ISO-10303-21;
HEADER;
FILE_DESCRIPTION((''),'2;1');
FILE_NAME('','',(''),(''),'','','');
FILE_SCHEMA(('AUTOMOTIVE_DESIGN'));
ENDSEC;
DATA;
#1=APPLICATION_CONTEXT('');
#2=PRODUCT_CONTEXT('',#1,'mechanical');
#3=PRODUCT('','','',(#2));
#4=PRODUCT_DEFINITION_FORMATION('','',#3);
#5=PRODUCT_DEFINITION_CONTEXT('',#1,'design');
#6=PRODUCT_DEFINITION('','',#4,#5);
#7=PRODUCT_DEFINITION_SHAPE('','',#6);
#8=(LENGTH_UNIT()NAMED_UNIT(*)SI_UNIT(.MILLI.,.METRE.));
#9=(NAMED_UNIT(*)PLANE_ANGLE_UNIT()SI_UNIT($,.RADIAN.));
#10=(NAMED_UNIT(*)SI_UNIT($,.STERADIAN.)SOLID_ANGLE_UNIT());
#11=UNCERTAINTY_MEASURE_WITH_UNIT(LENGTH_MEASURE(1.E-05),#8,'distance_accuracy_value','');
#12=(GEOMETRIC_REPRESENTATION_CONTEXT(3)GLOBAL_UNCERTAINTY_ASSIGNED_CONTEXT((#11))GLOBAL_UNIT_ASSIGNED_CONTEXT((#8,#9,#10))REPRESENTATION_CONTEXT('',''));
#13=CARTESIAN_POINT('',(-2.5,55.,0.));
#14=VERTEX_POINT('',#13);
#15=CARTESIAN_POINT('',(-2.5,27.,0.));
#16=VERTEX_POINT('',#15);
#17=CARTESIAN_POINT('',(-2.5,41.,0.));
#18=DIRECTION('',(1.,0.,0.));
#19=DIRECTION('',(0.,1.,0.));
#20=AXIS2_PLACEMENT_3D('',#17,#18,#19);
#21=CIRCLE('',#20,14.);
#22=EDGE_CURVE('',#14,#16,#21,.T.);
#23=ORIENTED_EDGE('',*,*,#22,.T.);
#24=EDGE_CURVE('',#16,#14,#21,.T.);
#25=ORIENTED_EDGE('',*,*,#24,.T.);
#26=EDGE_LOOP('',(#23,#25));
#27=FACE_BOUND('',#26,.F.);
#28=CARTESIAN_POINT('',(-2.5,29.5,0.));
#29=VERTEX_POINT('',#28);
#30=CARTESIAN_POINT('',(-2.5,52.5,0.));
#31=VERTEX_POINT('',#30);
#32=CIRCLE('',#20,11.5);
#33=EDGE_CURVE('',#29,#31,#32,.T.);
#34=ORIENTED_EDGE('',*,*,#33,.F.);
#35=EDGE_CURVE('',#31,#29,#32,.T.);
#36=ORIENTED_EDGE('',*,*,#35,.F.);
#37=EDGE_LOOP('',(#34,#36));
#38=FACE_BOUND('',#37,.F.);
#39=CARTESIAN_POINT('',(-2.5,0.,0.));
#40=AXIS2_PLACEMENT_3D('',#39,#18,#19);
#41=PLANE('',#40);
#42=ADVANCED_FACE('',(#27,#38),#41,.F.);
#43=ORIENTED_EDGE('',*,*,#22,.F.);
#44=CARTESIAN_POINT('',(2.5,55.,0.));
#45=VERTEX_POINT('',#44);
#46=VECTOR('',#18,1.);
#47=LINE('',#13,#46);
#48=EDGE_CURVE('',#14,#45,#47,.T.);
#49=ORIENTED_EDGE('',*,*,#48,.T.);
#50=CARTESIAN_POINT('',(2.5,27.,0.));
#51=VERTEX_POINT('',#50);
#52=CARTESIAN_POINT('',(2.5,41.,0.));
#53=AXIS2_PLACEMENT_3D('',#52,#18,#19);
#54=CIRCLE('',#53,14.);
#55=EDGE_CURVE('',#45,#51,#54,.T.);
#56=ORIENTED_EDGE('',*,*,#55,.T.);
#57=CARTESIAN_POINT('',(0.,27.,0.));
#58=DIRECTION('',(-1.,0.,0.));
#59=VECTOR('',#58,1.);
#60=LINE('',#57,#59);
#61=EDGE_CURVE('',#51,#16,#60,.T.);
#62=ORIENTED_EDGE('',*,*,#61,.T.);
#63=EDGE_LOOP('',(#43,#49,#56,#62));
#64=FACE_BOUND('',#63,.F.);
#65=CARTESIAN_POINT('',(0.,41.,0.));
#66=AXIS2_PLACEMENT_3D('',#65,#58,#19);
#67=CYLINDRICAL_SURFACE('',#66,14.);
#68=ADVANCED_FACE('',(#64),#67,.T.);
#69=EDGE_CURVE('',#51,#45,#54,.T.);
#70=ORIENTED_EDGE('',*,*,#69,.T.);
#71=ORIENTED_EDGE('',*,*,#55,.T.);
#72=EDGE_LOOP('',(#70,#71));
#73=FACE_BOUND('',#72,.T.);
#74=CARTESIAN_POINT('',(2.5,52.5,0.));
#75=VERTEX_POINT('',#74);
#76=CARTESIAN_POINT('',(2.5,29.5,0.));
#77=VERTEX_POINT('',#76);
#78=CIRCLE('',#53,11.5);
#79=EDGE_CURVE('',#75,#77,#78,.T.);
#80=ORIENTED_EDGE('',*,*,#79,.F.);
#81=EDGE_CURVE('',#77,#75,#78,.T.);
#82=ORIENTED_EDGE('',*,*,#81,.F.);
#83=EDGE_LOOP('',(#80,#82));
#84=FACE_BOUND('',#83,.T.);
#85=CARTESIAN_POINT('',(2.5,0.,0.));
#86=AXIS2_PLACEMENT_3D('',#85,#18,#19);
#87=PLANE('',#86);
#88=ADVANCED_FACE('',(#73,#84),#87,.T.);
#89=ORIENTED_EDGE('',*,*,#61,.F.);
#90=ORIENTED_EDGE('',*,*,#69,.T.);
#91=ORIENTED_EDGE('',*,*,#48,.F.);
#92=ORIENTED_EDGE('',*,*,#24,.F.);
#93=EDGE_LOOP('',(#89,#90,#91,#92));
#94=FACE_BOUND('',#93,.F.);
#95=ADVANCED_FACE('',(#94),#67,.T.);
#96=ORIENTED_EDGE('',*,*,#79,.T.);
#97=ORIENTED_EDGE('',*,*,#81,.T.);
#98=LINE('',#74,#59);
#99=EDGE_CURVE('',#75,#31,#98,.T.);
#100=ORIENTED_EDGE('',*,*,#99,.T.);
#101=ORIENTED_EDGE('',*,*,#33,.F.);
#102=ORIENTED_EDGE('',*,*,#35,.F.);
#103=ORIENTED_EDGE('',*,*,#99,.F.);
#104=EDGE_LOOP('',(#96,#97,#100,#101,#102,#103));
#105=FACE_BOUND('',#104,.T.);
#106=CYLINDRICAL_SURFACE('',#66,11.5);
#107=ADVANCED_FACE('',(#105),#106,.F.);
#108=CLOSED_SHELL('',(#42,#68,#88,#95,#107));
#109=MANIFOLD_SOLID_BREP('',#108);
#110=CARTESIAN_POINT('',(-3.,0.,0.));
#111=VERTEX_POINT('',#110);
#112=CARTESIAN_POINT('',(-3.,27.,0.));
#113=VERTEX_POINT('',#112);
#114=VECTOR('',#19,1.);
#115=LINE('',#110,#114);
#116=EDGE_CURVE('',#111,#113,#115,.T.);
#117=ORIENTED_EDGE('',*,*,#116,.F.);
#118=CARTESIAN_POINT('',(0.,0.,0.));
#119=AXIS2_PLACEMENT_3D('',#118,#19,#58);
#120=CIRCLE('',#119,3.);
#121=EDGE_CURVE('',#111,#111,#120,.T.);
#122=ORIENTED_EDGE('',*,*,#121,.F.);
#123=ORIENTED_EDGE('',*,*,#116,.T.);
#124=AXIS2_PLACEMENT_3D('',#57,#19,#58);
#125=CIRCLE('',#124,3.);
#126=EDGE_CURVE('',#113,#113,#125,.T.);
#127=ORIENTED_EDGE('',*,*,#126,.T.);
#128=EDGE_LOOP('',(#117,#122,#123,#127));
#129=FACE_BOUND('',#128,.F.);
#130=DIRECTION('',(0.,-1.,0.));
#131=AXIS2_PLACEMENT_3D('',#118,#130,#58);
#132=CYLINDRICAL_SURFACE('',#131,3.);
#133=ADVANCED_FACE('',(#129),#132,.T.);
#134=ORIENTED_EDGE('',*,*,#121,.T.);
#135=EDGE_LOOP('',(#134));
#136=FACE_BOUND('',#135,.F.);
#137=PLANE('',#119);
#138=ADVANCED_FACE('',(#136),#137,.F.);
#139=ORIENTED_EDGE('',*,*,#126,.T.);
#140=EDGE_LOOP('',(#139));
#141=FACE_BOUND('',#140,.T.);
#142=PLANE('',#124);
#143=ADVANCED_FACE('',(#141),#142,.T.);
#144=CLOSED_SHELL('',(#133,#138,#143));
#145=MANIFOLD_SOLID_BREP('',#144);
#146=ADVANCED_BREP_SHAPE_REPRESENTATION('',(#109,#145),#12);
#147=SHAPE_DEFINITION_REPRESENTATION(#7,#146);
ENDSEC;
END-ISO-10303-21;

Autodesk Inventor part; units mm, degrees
ref_plane "YZ Plane" through (0, 0, 0) normal (1, 0, 0) x (0, 1, 0)
ref_plane "XZ Plane" through (0, 0, 0) normal (0, 1, 0) x (-1, 0, 0)
ref_plane "XY Plane" through (0, 0, 0) normal (0, 0, 1) x (1, 0, 0)
sketch "Sketch1" plane through (0, 0, 0) normal (0, 1, 0) x (-1, 0, 0)
  circle A0 centre (0, 0) radius 3
  dimension "d0" = 6
extrude "Extrusion1" add sketch "Sketch1" along normal blind 27
sketch "Sketch2" plane through (0, 0, 0) normal (1, 0, 0) x (0, 1, 0)
  line L0 (27, -3) -> (27, 3) projected
  line L1 (27, 0) -> (32.8849, 0)
  circle A0 centre (41, 0) radius 14
  circle A1 centre (41, 0) radius 11.5
  point P0 (0, 0)
  dimension "d4" = 28
  dimension "d7" = 23
extrude "Extrusion2" add sketch "Sketch2" along normal mid plane 5
properties part number "hook" material "Iron, Cast"
